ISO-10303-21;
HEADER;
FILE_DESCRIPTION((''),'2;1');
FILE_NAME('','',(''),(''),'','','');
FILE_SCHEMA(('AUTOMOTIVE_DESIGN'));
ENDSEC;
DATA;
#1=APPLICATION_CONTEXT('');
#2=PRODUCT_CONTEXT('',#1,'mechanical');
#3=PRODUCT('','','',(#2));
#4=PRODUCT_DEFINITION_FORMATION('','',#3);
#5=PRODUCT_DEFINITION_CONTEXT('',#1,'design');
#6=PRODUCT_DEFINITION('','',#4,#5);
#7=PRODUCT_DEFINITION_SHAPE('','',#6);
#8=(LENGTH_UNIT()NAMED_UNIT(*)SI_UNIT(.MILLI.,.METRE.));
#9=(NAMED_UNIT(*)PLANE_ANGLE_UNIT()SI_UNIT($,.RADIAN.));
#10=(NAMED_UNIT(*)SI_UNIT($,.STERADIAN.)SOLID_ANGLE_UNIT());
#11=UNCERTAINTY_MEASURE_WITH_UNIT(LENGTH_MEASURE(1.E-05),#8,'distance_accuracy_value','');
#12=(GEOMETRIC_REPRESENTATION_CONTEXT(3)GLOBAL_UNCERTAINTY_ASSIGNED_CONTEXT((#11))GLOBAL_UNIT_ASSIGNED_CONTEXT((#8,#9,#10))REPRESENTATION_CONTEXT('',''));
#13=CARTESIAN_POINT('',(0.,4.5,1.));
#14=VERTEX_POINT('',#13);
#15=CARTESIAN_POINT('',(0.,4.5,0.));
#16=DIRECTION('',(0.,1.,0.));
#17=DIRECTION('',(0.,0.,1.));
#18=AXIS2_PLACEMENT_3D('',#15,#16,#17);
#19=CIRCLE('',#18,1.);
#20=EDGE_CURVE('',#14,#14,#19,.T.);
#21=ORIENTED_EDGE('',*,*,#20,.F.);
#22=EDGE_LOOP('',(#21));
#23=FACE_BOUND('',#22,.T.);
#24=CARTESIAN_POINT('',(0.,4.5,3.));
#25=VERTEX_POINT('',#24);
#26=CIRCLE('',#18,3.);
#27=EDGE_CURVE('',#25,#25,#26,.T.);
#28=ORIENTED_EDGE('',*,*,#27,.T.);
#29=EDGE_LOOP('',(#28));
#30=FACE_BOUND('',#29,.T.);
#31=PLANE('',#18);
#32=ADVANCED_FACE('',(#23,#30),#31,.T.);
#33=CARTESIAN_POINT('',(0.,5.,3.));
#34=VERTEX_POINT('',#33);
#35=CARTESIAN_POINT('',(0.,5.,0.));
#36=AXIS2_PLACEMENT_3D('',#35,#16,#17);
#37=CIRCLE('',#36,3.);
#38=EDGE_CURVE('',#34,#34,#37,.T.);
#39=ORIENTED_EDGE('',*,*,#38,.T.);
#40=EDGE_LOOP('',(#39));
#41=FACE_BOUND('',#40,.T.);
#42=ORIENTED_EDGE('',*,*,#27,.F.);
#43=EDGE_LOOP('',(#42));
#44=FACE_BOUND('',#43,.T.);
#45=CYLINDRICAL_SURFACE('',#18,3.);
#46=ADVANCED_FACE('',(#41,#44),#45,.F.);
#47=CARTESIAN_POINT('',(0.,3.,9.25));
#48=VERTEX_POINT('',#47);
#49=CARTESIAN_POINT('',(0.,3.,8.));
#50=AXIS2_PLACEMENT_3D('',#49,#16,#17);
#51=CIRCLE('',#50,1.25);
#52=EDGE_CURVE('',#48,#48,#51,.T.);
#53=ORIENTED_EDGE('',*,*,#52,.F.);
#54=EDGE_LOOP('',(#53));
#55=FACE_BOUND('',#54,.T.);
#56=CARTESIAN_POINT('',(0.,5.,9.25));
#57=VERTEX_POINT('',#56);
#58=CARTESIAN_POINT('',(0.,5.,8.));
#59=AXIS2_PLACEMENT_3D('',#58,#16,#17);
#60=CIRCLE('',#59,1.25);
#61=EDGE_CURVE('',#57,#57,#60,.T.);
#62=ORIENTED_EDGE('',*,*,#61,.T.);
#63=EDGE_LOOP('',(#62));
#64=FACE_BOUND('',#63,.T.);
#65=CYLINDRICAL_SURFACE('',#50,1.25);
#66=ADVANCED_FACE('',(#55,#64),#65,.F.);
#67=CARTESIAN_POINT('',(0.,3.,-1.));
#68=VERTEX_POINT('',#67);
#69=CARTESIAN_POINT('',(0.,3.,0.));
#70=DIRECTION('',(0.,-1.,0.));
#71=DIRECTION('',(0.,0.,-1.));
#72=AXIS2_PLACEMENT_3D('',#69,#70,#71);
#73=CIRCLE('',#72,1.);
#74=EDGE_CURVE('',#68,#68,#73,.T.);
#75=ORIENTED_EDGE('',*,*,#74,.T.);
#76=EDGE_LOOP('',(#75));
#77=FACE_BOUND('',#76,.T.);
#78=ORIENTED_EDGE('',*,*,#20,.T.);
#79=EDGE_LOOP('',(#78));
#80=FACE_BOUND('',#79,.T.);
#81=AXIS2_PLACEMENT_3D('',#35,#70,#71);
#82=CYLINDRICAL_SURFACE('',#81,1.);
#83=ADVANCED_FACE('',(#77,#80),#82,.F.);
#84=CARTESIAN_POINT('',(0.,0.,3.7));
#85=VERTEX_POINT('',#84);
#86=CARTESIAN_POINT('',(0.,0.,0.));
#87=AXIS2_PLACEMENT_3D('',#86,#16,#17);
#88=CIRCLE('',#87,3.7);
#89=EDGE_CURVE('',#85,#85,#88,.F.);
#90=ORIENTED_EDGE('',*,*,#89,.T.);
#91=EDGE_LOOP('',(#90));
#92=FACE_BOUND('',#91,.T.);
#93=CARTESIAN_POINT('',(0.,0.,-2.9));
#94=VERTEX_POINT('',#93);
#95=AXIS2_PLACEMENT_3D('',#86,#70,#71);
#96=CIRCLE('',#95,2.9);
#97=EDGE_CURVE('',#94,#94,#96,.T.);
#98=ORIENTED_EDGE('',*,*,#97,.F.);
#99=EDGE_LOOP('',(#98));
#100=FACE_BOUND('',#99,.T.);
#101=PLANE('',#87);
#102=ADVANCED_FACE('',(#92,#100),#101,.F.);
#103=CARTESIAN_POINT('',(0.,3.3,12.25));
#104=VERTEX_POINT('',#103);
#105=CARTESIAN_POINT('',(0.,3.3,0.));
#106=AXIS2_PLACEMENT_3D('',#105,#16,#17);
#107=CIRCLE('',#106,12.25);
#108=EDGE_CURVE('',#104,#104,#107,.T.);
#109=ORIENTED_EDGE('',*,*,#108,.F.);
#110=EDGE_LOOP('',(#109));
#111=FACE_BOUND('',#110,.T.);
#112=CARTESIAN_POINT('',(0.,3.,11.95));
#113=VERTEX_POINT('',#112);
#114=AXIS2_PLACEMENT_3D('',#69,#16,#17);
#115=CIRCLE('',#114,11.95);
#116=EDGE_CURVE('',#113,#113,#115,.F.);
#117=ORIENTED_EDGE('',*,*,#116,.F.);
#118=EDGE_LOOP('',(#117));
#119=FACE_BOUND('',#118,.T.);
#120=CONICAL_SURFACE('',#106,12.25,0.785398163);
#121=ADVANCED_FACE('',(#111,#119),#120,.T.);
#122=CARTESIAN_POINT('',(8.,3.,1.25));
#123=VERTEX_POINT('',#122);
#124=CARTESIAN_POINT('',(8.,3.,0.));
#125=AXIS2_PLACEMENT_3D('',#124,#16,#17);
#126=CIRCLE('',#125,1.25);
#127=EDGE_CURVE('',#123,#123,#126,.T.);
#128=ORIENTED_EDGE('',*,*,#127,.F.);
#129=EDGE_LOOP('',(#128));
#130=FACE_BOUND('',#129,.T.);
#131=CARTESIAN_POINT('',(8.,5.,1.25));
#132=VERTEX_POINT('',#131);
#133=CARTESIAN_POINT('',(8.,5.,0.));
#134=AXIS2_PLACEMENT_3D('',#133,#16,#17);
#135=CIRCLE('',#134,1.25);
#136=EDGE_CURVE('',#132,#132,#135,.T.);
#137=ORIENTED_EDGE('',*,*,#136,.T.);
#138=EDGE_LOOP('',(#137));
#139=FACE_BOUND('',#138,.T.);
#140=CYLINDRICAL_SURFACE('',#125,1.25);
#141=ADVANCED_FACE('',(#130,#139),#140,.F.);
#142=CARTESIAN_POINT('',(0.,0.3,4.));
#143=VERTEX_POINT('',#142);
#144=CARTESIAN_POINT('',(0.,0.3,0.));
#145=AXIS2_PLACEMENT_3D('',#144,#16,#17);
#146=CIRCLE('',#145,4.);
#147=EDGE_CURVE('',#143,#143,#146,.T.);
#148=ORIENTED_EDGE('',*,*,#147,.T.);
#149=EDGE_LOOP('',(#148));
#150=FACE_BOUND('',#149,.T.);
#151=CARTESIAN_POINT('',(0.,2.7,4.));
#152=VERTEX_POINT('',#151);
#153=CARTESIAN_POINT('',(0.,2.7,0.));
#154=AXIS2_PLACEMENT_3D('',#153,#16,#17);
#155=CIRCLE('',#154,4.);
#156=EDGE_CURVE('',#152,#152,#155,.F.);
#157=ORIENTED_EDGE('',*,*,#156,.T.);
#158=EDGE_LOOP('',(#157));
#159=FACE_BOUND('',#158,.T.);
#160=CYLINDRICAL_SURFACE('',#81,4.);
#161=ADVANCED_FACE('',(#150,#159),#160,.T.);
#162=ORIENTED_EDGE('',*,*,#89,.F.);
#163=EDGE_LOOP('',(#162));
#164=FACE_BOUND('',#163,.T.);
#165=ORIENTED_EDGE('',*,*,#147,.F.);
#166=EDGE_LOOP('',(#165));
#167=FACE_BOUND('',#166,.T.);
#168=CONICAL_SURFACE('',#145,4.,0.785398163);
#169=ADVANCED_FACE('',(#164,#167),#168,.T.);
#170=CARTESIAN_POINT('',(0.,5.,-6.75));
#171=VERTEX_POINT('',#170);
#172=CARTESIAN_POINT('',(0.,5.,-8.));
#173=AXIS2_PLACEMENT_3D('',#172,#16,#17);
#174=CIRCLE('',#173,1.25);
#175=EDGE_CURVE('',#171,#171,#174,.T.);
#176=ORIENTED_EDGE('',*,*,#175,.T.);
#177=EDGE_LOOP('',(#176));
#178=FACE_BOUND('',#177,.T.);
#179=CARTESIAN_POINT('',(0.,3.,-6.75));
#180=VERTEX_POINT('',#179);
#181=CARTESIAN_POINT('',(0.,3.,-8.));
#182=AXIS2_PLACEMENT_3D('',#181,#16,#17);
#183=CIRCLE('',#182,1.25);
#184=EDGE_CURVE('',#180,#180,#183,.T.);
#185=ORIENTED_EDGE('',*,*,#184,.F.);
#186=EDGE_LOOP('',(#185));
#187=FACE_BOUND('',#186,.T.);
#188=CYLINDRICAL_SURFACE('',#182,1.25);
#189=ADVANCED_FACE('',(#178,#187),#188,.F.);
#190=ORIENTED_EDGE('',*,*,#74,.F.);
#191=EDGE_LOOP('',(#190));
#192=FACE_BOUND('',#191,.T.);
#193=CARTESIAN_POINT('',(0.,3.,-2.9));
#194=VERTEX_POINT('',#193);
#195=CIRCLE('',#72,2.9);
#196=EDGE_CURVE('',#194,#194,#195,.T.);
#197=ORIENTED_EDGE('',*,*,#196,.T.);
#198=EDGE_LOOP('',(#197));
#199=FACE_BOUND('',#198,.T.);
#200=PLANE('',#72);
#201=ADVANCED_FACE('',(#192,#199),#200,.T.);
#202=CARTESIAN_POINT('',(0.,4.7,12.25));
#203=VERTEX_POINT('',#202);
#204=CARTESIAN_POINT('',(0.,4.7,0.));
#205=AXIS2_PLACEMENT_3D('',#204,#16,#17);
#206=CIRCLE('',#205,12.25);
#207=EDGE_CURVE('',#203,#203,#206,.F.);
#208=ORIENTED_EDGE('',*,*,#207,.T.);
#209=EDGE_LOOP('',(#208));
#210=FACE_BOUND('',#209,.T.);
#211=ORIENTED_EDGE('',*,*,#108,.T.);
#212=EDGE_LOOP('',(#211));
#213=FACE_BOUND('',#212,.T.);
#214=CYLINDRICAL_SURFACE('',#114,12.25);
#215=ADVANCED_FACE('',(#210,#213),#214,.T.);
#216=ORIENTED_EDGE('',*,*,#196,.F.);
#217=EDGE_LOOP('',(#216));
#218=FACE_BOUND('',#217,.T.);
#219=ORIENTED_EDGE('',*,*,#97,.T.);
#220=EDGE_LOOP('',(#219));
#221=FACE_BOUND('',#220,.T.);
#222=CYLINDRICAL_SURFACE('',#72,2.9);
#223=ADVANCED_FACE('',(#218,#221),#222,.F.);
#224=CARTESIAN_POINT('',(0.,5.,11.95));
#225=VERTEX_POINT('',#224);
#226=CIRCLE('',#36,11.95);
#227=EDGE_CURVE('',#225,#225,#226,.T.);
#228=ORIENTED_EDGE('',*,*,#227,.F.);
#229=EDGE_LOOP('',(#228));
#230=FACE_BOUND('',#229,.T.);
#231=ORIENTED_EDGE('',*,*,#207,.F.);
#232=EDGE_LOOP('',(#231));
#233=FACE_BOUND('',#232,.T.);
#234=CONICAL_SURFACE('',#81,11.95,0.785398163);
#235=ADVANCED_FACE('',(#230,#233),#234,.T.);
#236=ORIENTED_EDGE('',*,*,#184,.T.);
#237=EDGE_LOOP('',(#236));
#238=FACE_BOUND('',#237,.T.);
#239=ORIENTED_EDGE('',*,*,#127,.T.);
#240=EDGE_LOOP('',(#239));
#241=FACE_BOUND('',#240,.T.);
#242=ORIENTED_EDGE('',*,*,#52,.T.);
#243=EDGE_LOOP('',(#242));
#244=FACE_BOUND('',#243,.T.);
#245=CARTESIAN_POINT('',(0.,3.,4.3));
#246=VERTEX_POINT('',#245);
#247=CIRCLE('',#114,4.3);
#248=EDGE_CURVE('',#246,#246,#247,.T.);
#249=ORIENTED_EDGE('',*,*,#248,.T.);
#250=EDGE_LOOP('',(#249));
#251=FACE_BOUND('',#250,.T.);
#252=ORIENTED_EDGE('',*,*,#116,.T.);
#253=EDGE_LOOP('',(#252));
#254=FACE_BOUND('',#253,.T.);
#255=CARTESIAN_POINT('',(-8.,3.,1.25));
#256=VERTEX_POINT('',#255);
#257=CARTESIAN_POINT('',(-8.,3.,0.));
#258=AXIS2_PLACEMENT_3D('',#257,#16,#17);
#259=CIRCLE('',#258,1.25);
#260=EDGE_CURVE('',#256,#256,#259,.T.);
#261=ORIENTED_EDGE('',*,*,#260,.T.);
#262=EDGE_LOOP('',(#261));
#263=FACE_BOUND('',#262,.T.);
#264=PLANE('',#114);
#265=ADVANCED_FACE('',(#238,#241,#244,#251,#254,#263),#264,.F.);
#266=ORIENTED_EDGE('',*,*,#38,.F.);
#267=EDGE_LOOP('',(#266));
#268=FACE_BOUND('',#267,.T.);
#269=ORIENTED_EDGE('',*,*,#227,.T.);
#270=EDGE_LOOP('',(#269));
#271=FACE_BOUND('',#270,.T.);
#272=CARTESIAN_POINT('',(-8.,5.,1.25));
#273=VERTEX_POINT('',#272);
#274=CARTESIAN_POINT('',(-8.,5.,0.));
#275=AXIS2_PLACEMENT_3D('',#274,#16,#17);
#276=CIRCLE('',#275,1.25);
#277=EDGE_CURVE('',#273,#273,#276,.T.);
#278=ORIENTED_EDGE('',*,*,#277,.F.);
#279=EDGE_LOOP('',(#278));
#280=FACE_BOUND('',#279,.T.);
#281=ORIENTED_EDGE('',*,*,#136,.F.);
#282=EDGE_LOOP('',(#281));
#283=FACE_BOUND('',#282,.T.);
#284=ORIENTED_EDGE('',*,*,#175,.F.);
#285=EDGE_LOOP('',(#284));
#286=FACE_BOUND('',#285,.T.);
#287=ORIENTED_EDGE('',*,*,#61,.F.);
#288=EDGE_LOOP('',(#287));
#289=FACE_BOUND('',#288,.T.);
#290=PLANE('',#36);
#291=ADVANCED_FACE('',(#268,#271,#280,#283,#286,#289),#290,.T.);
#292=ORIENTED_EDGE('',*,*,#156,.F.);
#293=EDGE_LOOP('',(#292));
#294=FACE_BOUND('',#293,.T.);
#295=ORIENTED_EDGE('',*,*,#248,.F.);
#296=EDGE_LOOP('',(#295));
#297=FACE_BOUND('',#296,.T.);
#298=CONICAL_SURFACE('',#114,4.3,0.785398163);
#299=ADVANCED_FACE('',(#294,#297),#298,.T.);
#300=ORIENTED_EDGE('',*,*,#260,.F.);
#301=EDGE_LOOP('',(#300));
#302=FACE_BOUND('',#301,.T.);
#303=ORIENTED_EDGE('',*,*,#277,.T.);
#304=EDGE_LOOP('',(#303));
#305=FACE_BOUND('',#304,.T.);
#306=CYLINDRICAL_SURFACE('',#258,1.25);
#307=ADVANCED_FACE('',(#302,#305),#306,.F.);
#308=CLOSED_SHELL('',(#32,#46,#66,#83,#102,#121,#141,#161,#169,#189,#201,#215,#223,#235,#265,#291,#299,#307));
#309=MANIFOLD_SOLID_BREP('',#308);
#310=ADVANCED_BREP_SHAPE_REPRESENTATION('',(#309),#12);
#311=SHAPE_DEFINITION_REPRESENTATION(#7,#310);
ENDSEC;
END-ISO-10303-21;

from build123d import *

# Parameters (mm, degrees)
SKETCH_1_R          = 4
SKETCH_1_R_2        = 1
EXTRUDE_1_DEPTH     = 5
EXTRUDE_START       = -2
SKETCH_2_R          = 12.25
SKETCH_2_R_2        = 4
SKETCH_2_R_3        = 1.25
EXTRUDE_2_DEPTH     = 2
CHAMFER_1_SIZE      = 0.3
SKETCH_3_R          = 3
CUT_EXTRUDE_1_DEPTH = 0.5
SKETCH_4_R          = 2.9
CUT_EXTRUDE_2_DEPTH = 3


with BuildPart() as part:
    # 草图1 → 凸台-拉伸1 (new body)
    with BuildSketch(Plane(origin=(0, 0, 0), x_dir=(1, 0, 0), z_dir=(0, 1, 0))):
        with Locations(Location((0, 0, 0), (0, 0, 270))):
            Circle(SKETCH_1_R)
        with Locations(Location((0, 0, 0), (0, 0, 270))):
            Circle(SKETCH_1_R_2, mode=Mode.SUBTRACT)
    extrude(amount=EXTRUDE_1_DEPTH)

    # 草图2 → 凸台-拉伸2 (add)
    with BuildSketch(Plane(origin=(0, 5, 0), x_dir=(1, 0, 0), z_dir=(0, 1, 0)).offset(EXTRUDE_START)):
        with Locations(Location((0, 0, 0), (0, 0, 270))):
            Circle(SKETCH_2_R)
        with Locations(Location((0, 0, 0), (0, 0, 270))):
            Circle(SKETCH_2_R_2, mode=Mode.SUBTRACT)
        with Locations(Location((0, 8, 0), (0, 0, 270))):
            Circle(SKETCH_2_R_3, mode=Mode.SUBTRACT)
        with Locations(Location((8, 0, 0), (0, 0, 270))):
            Circle(SKETCH_2_R_3, mode=Mode.SUBTRACT)
        with Locations(Location((0, -8, 0), (0, 0, 270))):
            Circle(SKETCH_2_R_3, mode=Mode.SUBTRACT)
        with Locations(Location((-8, 0, 0), (0, 0, 270))):
            Circle(SKETCH_2_R_3, mode=Mode.SUBTRACT)
    extrude(amount=EXTRUDE_2_DEPTH)

    # 倒角1
    chamfer_1_edges = [part.edges().sort_by_distance(p)[0] for p in [
        (0, 3, -12.25),
        (0, 5, -12.25),
        (0, 0, -4),
        (0, 3, -4),
    ]]
    chamfer(chamfer_1_edges, length=CHAMFER_1_SIZE)

    # 草图3 → 切除-拉伸1 (cut)
    with BuildSketch(Plane(origin=(0, 5, 0), x_dir=(1, 0, 0), z_dir=(0, 1, 0))):
        with Locations(Location((0, 0, 0), (0, 0, 270))):
            Circle(SKETCH_3_R)
    extrude(amount=-CUT_EXTRUDE_1_DEPTH, mode=Mode.SUBTRACT)

    # 草图4 → 切除-拉伸2 (cut)
    with BuildSketch(Plane.XZ):
        with Locations(Location((0, 0, 0), (0, 0, 270))):
            Circle(SKETCH_4_R)
    extrude(amount=-CUT_EXTRUDE_2_DEPTH, mode=Mode.SUBTRACT)


solid = part.part
